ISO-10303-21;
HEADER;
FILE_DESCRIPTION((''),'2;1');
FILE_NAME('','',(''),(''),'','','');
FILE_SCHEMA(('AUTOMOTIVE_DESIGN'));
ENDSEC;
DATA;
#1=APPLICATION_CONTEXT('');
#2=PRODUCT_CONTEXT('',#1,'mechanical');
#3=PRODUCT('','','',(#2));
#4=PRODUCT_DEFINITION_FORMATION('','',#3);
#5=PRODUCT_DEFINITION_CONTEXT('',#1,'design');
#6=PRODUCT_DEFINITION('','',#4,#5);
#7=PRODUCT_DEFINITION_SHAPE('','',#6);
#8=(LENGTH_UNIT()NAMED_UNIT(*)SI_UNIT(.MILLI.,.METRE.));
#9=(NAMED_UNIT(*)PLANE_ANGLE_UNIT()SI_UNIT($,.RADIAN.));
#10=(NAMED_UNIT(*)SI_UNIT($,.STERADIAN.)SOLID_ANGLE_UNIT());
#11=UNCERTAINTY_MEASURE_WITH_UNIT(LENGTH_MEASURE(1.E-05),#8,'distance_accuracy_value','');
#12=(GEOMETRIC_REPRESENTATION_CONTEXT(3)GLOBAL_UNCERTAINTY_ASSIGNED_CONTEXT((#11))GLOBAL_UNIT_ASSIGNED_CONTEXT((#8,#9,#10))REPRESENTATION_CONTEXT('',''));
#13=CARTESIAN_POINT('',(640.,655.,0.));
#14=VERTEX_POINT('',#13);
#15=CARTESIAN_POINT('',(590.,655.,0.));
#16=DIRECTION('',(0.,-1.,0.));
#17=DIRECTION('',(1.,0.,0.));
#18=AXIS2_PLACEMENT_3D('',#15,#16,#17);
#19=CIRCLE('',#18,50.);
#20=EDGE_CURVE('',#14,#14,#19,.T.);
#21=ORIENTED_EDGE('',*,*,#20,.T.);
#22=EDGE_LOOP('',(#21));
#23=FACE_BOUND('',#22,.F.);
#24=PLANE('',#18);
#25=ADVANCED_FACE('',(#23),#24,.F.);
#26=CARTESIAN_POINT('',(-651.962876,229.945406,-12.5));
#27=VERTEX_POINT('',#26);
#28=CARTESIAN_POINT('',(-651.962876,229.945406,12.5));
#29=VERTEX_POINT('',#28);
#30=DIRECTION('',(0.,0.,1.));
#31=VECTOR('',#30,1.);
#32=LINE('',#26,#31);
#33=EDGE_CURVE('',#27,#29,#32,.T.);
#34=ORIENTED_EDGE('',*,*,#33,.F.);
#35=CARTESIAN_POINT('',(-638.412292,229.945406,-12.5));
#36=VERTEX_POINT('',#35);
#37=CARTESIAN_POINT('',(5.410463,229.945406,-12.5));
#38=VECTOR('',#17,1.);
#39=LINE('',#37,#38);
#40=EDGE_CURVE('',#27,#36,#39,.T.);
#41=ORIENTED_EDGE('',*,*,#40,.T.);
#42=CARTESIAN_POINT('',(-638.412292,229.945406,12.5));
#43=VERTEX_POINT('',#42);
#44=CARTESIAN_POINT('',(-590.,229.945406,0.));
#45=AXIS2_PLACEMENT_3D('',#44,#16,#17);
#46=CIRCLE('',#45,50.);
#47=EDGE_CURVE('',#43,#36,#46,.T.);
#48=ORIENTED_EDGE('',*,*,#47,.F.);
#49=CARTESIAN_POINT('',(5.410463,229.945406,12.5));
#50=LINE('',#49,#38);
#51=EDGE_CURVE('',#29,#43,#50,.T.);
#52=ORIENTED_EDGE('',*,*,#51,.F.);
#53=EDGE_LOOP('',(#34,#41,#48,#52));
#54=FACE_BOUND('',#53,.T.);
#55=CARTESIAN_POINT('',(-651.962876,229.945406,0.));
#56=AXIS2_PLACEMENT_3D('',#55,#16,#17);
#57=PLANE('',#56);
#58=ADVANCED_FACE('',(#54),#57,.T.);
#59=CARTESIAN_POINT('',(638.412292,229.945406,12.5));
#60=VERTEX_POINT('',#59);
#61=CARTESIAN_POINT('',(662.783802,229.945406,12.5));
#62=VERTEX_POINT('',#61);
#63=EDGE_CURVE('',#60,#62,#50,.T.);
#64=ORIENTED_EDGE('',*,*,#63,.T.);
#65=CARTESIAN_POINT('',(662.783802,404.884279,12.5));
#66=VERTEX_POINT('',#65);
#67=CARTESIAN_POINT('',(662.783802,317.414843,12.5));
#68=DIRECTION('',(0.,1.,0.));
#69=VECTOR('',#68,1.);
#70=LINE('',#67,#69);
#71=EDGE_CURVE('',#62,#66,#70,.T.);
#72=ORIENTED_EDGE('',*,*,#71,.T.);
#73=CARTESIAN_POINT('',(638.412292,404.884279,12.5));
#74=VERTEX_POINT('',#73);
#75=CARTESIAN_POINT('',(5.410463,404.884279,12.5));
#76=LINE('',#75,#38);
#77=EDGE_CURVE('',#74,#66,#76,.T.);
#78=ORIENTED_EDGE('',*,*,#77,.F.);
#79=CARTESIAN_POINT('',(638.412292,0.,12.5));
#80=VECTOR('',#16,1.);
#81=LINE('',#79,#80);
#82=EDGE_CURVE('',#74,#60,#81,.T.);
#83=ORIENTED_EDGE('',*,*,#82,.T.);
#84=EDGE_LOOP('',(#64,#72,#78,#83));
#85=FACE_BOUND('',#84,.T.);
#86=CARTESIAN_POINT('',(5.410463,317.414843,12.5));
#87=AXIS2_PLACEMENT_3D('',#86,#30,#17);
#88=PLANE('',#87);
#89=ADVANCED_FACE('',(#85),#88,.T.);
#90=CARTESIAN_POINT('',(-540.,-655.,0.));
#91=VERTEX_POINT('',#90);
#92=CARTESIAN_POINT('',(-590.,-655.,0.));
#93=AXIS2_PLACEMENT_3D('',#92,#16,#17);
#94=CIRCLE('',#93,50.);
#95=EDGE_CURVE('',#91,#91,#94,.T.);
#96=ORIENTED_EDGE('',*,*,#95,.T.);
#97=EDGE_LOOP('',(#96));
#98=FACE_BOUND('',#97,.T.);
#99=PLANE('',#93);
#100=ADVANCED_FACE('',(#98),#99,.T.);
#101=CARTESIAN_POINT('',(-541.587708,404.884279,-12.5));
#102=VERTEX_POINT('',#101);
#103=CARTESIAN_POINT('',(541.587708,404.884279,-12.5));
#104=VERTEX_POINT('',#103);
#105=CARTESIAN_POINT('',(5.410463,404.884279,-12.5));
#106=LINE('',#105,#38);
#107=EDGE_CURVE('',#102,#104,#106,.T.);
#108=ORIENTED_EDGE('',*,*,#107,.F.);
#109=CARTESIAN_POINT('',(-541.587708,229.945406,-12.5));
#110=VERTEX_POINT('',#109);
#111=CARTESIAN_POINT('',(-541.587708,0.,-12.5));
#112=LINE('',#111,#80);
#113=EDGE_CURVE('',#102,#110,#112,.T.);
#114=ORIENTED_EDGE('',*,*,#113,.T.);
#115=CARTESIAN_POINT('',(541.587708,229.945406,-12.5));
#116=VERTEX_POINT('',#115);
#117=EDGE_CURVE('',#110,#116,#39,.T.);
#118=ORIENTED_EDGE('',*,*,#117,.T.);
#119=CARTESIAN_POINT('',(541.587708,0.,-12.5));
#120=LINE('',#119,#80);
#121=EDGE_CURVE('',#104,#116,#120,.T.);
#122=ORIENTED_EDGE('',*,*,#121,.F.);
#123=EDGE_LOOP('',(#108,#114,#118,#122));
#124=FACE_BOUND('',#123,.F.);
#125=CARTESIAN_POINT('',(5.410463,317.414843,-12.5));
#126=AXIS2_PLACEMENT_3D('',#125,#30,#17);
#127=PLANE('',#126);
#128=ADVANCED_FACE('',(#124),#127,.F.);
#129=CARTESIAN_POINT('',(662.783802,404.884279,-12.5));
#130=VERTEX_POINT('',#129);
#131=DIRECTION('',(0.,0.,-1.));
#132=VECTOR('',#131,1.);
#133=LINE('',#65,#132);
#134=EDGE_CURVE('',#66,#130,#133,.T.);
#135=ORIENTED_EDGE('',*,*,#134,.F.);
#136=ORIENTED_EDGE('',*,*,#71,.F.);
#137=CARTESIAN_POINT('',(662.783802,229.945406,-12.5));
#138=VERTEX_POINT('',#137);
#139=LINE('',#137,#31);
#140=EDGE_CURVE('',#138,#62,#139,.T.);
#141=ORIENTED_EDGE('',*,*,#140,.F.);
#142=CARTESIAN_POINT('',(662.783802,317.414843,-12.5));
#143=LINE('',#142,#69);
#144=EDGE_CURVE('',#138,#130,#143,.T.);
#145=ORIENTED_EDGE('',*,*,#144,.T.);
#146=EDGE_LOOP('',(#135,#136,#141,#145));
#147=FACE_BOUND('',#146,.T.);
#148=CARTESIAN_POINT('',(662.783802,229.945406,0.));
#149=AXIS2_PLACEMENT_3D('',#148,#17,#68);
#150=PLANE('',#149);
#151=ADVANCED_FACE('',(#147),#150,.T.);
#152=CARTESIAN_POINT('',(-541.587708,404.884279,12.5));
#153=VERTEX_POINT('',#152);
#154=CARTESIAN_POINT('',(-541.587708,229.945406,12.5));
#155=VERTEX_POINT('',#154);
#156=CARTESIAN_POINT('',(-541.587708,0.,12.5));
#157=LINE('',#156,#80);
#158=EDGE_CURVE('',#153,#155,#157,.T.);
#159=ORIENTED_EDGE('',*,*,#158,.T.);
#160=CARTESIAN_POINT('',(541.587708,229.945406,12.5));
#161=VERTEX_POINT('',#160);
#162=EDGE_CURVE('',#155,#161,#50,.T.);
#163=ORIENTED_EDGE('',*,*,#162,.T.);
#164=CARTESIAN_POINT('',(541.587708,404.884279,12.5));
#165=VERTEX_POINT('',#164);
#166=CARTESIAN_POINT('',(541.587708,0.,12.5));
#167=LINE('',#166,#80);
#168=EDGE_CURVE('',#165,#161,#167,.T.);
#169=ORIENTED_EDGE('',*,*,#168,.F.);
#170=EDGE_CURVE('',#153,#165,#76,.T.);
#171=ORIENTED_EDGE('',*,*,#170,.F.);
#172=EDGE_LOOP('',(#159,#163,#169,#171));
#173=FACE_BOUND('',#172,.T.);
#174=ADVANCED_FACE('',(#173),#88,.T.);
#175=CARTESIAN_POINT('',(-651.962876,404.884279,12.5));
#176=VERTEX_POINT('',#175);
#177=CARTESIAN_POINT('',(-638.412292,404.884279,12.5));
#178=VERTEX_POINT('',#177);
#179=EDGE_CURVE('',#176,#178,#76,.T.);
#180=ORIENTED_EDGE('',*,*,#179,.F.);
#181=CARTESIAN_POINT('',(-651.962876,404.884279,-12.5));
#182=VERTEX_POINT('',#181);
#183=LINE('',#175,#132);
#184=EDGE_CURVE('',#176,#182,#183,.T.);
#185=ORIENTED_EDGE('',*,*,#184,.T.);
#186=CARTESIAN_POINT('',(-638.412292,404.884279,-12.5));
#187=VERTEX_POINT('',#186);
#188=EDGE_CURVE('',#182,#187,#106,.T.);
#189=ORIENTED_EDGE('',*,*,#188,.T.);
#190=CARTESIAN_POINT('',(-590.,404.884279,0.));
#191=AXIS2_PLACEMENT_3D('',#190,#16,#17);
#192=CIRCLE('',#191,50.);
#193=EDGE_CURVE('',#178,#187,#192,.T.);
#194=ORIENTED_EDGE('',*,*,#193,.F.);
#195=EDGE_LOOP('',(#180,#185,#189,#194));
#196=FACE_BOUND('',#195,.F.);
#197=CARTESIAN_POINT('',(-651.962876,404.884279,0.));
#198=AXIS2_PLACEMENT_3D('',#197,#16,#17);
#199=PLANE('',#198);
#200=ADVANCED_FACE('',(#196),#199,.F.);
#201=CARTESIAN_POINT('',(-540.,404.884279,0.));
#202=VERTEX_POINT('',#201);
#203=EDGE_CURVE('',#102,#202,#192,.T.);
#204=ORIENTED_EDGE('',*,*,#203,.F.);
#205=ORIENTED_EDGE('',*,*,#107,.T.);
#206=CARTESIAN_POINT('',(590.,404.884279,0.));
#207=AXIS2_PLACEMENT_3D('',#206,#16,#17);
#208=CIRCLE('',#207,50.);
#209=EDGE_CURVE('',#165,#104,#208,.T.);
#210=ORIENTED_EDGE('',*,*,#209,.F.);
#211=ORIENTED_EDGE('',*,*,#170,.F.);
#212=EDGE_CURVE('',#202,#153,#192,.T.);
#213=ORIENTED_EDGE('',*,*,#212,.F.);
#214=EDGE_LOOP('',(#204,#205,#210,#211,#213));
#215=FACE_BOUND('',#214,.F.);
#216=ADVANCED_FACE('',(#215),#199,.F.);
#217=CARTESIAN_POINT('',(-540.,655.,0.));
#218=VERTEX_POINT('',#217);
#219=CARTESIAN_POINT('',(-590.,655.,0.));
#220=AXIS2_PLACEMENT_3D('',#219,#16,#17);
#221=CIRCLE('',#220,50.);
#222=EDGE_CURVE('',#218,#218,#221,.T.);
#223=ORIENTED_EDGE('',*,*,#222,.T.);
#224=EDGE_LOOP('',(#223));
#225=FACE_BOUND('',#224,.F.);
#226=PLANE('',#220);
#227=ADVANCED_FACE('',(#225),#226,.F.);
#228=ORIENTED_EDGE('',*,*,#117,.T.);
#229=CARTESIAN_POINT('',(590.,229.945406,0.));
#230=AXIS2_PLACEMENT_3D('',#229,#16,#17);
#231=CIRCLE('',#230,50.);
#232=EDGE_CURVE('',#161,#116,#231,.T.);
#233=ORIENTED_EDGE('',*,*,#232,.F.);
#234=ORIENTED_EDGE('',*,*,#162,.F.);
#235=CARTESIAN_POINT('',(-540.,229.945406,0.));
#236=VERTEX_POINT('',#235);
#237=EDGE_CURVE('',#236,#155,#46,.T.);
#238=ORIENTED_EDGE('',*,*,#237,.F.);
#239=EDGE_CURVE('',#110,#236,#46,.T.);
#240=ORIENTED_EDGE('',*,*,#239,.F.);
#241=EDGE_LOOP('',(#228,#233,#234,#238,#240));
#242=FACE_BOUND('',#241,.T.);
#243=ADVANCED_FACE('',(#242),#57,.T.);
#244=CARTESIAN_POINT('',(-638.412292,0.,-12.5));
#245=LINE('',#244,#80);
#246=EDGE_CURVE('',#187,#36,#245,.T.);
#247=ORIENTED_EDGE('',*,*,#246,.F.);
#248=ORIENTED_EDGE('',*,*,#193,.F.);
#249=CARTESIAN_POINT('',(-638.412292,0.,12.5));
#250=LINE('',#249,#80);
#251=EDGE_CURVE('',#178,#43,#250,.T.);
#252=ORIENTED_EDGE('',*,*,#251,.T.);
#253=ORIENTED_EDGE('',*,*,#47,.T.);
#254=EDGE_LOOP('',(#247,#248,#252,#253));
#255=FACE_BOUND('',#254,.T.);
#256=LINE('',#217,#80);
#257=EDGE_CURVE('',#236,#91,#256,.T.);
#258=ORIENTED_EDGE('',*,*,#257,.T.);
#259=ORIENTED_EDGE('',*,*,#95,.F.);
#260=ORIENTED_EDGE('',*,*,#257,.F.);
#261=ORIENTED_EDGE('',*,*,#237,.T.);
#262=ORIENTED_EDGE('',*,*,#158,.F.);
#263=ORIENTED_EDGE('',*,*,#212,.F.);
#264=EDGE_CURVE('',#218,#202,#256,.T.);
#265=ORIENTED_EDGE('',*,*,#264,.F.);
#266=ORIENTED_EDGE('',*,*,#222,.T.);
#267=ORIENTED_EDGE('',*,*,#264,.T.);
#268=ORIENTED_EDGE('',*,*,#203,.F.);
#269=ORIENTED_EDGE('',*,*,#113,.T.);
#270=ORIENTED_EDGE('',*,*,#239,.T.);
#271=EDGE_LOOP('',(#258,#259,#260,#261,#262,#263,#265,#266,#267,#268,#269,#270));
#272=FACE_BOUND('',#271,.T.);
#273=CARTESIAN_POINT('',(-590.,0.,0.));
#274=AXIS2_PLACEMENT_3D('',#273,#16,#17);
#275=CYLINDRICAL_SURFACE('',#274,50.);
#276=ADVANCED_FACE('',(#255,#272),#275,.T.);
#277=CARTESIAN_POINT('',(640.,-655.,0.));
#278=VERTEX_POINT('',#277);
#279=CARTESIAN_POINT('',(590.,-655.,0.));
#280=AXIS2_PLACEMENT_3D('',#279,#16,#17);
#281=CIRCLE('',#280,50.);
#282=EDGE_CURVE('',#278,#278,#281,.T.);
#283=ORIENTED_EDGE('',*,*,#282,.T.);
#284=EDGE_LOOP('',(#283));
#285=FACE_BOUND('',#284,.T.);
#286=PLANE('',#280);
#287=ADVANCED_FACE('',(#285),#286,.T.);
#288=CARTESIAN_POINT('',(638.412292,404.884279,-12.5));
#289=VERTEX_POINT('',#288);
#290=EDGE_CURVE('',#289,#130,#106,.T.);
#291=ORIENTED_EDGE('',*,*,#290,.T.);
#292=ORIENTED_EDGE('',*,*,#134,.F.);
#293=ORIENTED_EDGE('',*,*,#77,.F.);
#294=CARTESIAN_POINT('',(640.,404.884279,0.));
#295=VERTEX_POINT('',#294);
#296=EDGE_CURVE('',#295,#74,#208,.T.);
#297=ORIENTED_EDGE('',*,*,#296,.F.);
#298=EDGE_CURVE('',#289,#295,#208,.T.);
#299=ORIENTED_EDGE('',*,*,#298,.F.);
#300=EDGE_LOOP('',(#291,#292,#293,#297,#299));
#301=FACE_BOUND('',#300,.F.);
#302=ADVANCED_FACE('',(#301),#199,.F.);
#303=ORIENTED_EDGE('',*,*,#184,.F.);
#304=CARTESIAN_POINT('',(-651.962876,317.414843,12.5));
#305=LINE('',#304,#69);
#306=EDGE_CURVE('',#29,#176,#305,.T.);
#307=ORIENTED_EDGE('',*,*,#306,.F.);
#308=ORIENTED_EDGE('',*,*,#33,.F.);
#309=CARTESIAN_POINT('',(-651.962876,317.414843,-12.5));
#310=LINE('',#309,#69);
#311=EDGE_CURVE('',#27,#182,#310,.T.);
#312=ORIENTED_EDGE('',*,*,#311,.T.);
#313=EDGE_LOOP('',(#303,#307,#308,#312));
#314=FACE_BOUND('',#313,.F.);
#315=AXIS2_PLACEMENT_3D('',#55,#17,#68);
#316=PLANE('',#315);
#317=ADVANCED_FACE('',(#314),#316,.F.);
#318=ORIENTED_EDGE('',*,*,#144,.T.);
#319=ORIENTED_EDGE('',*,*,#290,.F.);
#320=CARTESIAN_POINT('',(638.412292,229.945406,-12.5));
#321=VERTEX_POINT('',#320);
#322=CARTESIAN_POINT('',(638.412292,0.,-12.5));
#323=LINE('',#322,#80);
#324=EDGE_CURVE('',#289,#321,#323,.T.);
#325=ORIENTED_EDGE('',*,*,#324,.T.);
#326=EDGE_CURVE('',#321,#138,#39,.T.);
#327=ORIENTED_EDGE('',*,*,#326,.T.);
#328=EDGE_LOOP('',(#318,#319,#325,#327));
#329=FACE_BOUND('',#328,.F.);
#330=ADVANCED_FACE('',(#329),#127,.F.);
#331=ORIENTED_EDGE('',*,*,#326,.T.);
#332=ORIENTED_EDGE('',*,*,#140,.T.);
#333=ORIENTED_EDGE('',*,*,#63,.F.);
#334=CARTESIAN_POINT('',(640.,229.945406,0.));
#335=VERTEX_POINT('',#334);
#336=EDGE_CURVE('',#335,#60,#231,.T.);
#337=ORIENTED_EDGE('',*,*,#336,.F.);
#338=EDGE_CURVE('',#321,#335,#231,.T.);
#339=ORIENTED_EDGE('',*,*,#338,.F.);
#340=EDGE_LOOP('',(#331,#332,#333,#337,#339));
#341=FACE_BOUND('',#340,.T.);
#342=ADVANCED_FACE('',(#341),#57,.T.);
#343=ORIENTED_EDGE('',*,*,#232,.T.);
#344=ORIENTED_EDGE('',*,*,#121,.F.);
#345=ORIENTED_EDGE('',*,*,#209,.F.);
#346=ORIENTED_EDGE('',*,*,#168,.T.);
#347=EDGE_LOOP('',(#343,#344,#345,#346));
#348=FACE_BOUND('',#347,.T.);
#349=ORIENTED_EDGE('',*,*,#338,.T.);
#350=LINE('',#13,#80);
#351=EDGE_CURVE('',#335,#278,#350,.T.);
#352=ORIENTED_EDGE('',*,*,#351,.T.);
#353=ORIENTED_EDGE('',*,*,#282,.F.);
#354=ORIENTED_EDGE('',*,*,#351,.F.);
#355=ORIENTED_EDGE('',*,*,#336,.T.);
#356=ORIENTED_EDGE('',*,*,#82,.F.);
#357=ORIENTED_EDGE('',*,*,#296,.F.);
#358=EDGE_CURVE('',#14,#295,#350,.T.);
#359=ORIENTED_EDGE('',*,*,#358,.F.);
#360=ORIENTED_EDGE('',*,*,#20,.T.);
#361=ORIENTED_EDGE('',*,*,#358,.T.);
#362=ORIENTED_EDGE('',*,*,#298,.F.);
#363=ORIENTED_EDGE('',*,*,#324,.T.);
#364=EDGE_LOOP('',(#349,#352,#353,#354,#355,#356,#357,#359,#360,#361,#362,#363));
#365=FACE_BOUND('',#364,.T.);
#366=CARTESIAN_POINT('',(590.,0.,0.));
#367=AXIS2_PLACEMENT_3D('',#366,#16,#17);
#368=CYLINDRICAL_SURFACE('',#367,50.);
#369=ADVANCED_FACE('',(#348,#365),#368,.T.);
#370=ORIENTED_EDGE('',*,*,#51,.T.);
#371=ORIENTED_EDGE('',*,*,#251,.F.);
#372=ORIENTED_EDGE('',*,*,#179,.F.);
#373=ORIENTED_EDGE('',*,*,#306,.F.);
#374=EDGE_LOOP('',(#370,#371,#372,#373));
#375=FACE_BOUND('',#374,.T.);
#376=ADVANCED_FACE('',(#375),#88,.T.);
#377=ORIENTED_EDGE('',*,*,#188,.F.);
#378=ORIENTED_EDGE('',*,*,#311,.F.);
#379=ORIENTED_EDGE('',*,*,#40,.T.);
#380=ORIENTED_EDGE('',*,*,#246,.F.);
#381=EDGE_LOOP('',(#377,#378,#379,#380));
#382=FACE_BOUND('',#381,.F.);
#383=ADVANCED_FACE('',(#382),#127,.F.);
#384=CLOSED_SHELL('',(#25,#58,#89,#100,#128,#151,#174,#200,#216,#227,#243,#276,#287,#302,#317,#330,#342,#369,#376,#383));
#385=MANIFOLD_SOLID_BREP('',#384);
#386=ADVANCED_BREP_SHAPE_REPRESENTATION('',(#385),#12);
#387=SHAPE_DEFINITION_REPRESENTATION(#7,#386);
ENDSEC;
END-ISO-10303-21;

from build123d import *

# Parameters (mm, degrees)
F0_R     = 50
F1_DEPTH = 655
F2_W     = 1314.7466778755
F2_H     = 174.9388724566
F3_DEPTH = 12.5


with BuildPart() as f1:
    # F0 (on Front) → F1 (new body, symmetric)
    with BuildSketch(Plane.XZ):
        with Locations((590, 0)):
            Circle(F0_R)
    extrude(amount=F1_DEPTH, both=True)



with BuildPart() as f1b:
    # F0 (on Front) → F1, piece 2 (new body, symmetric)
    with BuildSketch(Plane.XZ):
        with Locations((-590, 0)):
            Circle(F0_R)
    extrude(amount=F1_DEPTH, both=True)


with BuildPart() as f1_1:
    add(f1.part)

    add(f1b.part)  # F3 merges F1b
    # F2 (on Top) → F3 (join, symmetric)
    with BuildSketch(Plane.XY):
        with Locations((5.4104626179, 317.414842546)):
            Rectangle(F2_W, F2_H)
    extrude(amount=F3_DEPTH, both=True)


solid = f1_1.part
